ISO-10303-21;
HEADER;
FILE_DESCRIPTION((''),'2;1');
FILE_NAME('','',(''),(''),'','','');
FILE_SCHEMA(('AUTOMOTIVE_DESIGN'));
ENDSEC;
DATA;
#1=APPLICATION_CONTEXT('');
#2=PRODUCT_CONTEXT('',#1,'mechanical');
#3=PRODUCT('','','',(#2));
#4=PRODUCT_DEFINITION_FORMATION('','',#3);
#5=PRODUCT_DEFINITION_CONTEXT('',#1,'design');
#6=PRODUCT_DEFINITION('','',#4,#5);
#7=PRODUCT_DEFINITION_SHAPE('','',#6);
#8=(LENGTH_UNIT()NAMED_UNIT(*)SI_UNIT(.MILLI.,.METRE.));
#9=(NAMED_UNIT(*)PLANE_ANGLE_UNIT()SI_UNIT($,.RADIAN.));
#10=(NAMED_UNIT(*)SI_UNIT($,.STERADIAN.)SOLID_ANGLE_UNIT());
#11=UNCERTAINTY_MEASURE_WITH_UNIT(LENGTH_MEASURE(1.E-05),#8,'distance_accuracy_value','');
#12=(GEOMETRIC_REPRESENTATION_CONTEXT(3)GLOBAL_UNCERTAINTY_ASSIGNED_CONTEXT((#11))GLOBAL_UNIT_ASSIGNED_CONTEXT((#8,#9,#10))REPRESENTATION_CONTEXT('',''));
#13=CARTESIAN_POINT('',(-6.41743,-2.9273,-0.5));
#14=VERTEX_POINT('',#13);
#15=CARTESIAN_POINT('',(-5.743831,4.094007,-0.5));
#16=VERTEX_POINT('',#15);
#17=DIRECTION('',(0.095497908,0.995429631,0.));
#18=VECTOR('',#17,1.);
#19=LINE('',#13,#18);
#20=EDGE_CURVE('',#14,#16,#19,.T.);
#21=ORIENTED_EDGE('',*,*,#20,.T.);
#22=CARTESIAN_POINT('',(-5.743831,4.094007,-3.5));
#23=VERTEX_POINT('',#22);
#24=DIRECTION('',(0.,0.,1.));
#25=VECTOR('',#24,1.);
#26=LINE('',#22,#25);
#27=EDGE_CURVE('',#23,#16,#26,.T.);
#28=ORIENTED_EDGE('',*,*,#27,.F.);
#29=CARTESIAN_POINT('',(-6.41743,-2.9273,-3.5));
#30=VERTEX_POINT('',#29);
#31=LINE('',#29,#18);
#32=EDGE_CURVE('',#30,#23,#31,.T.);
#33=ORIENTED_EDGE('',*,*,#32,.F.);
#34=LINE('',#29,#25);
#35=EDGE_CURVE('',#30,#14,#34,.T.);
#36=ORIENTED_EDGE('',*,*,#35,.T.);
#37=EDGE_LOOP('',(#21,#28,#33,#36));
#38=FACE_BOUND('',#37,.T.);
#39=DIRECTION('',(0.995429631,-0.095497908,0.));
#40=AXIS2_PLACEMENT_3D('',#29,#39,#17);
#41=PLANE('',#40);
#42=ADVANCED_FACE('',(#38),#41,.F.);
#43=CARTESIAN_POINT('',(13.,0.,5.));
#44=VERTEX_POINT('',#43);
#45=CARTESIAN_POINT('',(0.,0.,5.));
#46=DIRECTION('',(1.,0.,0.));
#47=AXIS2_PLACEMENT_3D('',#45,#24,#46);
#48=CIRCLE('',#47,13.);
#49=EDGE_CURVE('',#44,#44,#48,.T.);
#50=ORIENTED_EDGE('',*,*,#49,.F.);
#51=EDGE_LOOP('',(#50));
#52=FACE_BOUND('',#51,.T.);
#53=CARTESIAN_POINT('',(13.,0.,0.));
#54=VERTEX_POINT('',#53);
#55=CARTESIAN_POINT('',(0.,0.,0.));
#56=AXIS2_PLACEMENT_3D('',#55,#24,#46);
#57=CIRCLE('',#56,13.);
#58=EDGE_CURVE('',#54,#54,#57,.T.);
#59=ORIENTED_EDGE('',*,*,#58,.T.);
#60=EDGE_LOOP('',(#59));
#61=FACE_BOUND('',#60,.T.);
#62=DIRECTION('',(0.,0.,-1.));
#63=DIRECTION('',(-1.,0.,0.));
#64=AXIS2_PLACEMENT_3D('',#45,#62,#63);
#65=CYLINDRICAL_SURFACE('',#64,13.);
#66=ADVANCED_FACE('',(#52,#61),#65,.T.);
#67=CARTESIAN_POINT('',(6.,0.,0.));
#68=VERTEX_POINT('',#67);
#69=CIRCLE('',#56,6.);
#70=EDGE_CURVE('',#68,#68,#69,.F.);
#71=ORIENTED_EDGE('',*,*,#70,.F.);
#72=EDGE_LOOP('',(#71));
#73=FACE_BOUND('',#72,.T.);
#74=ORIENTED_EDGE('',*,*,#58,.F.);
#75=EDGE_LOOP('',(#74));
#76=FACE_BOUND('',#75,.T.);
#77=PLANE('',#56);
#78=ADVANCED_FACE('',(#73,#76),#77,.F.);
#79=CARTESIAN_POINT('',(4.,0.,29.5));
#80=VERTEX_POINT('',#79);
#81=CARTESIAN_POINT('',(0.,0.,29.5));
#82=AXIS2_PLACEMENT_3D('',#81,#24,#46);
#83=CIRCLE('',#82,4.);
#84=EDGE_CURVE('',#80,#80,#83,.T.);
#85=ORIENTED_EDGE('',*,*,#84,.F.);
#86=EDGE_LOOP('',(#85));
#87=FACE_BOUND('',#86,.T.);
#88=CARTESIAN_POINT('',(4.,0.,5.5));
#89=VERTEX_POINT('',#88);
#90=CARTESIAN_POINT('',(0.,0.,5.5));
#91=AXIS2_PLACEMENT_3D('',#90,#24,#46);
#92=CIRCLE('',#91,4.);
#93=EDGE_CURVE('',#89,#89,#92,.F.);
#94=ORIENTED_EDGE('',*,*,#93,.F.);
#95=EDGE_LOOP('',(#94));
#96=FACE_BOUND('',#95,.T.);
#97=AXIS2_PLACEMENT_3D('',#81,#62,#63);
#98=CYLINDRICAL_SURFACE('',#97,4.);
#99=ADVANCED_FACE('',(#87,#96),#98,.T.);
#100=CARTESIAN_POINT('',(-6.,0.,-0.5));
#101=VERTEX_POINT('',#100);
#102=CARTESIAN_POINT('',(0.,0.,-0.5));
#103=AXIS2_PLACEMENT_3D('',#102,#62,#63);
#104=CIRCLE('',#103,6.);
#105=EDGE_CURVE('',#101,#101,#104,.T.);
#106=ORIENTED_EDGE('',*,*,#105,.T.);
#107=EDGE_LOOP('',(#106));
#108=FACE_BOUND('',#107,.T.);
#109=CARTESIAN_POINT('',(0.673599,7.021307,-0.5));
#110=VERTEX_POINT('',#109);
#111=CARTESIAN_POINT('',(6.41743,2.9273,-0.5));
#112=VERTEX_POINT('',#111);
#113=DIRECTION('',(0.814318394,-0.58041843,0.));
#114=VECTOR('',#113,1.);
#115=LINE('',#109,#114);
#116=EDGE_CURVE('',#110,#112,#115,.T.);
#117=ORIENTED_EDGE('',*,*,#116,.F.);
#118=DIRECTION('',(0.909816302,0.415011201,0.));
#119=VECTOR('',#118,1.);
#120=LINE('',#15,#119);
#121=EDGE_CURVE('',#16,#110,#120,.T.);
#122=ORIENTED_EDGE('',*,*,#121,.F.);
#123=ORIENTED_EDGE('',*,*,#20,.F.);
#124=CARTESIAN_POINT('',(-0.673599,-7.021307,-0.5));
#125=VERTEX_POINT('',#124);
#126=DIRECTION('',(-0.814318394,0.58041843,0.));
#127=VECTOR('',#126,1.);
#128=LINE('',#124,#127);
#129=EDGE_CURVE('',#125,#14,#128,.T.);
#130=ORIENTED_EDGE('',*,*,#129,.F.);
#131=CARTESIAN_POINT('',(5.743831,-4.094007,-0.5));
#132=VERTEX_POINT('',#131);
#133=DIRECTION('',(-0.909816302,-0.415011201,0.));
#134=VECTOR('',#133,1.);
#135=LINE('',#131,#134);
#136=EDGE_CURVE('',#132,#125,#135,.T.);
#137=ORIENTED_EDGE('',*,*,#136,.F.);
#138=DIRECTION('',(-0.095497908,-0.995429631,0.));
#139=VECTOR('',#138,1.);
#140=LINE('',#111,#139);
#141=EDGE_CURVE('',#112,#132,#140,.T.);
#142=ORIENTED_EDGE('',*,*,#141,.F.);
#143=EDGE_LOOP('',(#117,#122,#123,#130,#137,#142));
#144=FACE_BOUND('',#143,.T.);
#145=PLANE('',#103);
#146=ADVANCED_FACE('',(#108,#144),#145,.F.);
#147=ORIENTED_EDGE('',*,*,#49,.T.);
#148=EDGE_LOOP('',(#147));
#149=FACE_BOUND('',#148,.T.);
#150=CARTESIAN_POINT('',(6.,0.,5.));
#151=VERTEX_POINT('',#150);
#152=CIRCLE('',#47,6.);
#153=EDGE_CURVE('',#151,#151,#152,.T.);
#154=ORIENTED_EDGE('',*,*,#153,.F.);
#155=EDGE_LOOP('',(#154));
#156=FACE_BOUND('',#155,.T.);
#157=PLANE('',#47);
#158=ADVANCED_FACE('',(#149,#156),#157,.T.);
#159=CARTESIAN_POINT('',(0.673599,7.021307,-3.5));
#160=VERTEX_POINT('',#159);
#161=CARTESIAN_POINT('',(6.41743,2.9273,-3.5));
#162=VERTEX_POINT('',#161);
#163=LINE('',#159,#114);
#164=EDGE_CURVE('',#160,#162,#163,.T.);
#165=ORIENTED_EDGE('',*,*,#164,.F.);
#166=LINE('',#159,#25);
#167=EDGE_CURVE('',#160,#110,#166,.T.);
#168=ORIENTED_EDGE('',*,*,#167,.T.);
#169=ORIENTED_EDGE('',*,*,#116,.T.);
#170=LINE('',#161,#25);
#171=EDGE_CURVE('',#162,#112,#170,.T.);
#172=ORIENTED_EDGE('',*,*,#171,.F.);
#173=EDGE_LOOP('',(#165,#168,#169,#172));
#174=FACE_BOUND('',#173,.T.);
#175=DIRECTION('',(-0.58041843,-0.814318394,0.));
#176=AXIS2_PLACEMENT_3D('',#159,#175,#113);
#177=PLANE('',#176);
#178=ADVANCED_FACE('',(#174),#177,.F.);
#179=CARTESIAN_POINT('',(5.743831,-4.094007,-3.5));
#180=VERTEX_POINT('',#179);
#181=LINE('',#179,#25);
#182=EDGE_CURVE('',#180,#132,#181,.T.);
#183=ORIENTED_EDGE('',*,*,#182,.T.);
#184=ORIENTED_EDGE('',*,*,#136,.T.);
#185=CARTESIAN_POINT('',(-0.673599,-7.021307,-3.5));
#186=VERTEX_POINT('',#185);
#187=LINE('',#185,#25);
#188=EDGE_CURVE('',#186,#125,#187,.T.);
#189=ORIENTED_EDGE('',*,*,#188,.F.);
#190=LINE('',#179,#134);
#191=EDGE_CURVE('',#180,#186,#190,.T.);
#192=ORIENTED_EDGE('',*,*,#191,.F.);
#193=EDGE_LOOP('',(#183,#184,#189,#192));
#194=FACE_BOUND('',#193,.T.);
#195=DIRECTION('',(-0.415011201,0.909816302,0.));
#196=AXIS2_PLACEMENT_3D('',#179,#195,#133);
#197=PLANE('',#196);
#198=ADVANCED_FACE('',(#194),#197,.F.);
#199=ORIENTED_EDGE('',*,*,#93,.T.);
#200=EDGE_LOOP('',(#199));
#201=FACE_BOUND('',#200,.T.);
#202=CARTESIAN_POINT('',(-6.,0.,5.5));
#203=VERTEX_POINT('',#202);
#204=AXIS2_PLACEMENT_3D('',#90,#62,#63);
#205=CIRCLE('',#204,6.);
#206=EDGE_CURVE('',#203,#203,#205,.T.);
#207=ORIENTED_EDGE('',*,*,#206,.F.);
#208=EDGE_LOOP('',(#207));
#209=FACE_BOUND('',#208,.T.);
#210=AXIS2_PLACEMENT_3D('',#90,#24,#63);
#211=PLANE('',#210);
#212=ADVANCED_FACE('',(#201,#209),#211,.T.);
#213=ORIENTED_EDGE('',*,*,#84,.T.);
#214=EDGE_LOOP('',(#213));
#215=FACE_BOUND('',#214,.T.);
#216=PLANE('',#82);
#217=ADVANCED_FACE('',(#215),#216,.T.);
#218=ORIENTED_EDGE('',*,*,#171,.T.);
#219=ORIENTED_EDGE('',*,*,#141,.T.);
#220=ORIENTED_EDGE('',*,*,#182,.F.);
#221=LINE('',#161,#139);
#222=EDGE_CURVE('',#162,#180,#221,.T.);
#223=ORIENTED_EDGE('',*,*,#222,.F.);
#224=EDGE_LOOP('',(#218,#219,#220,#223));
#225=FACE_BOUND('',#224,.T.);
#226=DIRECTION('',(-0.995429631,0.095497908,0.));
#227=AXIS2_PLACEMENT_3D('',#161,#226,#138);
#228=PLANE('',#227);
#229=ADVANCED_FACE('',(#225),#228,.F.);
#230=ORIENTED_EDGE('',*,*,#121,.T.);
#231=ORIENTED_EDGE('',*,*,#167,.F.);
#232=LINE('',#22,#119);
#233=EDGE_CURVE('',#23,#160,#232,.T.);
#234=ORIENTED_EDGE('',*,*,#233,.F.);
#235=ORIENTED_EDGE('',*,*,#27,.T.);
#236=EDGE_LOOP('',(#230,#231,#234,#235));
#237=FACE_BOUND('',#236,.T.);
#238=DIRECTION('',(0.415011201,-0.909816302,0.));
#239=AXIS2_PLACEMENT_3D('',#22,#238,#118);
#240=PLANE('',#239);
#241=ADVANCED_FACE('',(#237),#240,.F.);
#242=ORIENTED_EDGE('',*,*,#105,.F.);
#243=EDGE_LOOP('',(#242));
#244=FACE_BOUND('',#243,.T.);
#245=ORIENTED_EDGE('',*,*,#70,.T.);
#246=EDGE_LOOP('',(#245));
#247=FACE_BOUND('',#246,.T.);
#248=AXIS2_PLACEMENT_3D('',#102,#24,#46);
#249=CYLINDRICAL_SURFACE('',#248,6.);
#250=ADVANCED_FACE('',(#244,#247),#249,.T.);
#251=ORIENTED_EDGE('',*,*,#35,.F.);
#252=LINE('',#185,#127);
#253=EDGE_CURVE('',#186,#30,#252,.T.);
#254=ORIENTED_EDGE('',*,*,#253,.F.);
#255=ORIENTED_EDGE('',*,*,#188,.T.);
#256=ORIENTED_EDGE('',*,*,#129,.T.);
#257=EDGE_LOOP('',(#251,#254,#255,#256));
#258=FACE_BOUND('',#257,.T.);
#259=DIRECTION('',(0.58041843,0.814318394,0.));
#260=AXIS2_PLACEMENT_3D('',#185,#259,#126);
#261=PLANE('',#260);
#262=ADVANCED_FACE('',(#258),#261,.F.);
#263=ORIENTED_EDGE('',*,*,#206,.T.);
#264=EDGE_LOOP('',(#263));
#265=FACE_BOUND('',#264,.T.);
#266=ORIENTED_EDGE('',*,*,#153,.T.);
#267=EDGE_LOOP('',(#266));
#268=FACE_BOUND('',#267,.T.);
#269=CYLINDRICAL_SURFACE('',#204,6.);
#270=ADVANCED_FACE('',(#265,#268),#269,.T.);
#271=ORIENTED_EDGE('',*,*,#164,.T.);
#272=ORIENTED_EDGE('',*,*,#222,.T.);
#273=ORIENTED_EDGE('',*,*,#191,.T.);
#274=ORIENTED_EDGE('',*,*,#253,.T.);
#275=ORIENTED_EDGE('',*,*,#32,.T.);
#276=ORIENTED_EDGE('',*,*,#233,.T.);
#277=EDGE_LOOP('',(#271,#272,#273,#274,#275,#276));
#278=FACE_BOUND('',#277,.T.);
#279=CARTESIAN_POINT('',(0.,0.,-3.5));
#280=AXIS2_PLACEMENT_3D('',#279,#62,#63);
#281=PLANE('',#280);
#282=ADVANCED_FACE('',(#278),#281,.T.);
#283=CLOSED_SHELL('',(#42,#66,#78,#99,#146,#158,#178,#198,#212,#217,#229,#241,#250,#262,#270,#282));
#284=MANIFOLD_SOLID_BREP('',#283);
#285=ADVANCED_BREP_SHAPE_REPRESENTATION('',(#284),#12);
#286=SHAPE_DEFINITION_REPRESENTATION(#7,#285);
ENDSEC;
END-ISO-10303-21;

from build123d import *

# Parameters (mm, degrees)
SKETCH1_R           = 13
BOSS_EXTRUDE1_DEPTH = 5
SKETCH12_R          = 4
CUT_EXTRUDE6_DEPTH  = 5
SKETCH13_R          = 6
BOSS_EXTRUDE7_DEPTH = 0.5
CUT_EXTRUDE7_START  = -0.5
SKETCH14_R          = 4
CUT_EXTRUDE7_DEPTH  = 0.5
BOSS_EXTRUDE8_DEPTH = 3
BOSS_EXTRUDE9_START = 30
SKETCH16_R          = 4
BOSS_EXTRUDE9_DEPTH = 30


with BuildPart() as part:
    # Sketch1 → Boss-Extrude1 (new body)
    with BuildSketch(Plane.XY):
        Circle(SKETCH1_R)
    extrude(amount=BOSS_EXTRUDE1_DEPTH)

    # Sketch12 → Cut-Extrude6 (cut)
    with BuildSketch(Plane.XY.offset(5)):
        Circle(SKETCH12_R)
    extrude(amount=-CUT_EXTRUDE6_DEPTH, mode=Mode.SUBTRACT)

    # Sketch13 → Boss-Extrude7 (add)
    with BuildSketch(Plane(origin=(0, 0, 0), x_dir=(-1, 0, 0), z_dir=(0, 0, -1))):
        with Locations(Location((0, 0, 0), (0, 0, 180))):
            Circle(SKETCH13_R)
    boss_extrude7 = extrude(amount=BOSS_EXTRUDE7_DEPTH)

    # Sketch14 → Cut-Extrude7 (cut)
    with BuildSketch(Plane(origin=(0, 0, -0.5), x_dir=(-1, 0, 0), z_dir=(0, 0, -1)).offset(CUT_EXTRUDE7_START)):
        with Locations(Location((0, 0, 0), (0, 0, 180))):
            Circle(SKETCH14_R)
    cut_extrude7 = extrude(amount=CUT_EXTRUDE7_DEPTH, mode=Mode.SUBTRACT)

    # Mirror2: Boss-Extrude7, Cut-Extrude7 across plane
    add(boss_extrude7.mirror(Plane(origin=(0, 0, 2.5), x_dir=(1, 0, 0), z_dir=(0, 0, -1))))
    add(cut_extrude7.mirror(Plane(origin=(0, 0, 2.5), x_dir=(1, 0, 0), z_dir=(0, 0, -1))), mode=Mode.SUBTRACT)

    # Sketch15 → Boss-Extrude8 (add)
    with BuildSketch(Plane(origin=(0, 0, -0.5), x_dir=(-1, 0, 0), z_dir=(0, 0, -1))):
        Polygon((5.743830787, 4.094007051), (-0.673598715, 7.021306902), (-6.417429503, 2.927299852), (-5.743830787, -4.094007051), (0.673598715, -7.021306902), (6.417429503, -2.927299852), align=None)
    extrude(amount=BOSS_EXTRUDE8_DEPTH)

    # Sketch16 → Boss-Extrude9 (add)
    with BuildSketch(Plane.XY.offset(-0.5).offset(BOSS_EXTRUDE9_START)):
        Circle(SKETCH16_R)
    extrude(amount=-BOSS_EXTRUDE9_DEPTH)


solid = part.part
